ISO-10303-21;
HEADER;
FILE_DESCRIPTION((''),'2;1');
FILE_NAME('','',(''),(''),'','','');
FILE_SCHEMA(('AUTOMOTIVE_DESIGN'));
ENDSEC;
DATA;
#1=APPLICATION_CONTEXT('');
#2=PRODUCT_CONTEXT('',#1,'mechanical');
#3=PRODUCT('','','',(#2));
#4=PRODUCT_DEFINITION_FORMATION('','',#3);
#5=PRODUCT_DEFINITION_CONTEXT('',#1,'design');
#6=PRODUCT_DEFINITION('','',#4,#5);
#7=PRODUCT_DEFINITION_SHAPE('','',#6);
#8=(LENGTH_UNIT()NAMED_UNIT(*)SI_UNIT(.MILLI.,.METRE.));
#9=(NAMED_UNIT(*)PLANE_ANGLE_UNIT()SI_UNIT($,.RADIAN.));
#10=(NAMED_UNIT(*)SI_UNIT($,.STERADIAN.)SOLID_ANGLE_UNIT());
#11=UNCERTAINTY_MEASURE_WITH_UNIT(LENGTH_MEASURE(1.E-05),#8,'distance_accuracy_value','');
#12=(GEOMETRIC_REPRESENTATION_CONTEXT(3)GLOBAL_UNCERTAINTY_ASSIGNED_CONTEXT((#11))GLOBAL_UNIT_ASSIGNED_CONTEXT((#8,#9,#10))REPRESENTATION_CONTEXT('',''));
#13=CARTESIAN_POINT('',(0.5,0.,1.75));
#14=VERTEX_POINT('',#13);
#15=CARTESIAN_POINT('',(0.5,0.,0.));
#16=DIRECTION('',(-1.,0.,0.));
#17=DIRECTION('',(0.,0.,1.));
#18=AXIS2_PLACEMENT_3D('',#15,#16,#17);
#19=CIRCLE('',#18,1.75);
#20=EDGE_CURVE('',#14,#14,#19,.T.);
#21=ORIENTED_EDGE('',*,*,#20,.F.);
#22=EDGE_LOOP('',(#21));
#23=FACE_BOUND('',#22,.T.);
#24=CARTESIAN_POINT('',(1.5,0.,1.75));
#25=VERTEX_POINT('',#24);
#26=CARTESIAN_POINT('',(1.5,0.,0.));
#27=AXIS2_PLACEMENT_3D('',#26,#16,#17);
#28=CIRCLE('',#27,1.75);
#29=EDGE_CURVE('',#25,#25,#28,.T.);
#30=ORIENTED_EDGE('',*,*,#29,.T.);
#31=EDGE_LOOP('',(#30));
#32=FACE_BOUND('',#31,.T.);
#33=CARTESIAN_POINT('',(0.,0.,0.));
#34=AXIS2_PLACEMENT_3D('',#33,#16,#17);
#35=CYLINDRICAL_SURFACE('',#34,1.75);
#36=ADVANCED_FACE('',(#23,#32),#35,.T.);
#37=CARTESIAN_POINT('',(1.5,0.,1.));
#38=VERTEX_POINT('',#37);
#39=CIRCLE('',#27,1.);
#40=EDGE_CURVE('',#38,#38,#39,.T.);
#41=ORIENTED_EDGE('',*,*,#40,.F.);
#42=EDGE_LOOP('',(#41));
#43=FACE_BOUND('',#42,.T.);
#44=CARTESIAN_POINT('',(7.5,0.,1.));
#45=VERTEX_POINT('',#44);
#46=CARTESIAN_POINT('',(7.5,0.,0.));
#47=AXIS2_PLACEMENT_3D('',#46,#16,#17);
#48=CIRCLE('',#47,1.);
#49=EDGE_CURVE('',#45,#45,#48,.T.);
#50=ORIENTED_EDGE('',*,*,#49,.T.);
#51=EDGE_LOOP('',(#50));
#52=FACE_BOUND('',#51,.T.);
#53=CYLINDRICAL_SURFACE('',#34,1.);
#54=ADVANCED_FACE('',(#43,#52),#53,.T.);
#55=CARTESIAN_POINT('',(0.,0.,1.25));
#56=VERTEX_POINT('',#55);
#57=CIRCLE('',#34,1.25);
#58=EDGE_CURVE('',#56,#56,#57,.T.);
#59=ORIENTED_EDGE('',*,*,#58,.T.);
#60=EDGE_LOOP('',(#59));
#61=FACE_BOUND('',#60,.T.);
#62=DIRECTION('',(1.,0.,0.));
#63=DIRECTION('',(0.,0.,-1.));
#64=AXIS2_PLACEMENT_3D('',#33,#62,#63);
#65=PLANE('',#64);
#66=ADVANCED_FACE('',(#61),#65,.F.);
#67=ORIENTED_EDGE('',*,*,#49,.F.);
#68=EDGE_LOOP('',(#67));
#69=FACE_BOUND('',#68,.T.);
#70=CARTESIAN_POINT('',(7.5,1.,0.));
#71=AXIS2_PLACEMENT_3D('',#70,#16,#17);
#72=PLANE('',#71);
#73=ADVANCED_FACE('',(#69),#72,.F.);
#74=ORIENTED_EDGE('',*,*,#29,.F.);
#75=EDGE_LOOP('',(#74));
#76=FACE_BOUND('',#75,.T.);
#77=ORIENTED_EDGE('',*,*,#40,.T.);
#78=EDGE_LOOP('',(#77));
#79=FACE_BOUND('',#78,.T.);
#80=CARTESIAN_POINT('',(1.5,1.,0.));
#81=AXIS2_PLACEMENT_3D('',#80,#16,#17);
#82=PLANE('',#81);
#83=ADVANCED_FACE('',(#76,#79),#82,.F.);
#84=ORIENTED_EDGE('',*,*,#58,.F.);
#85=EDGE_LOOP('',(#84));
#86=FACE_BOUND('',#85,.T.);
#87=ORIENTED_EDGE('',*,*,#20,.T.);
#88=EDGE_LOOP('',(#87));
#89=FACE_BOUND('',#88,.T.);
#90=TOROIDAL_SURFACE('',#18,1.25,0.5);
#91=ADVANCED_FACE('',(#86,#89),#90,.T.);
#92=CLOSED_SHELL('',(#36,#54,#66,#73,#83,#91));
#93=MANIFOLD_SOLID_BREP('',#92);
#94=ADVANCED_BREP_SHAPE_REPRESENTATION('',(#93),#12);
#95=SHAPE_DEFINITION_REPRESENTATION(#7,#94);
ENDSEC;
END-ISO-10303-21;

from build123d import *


with BuildPart() as part:
    # Sketch1 → Revolve1 (revolve)
    with BuildSketch(Plane.XY, mode=Mode.PRIVATE) as revolve1_sk:
        with BuildLine():
            Line((0, 0), (0.985220193, 0))
            Line((0.985220193, 0), (7.5, 0))
            Line((7.5, 0), (7.5, 1))
            Line((7.5, 1), (1.5, 1))
            Line((1.5, 1), (1.5, 1.75))
            Line((1.5, 1.75), (0.5, 1.75))
            ThreePointArc((0.5, 1.75), (0.146446609, 1.603553391), (0, 1.25))
            Line((0, 1.25), (0, 0))
        make_face()
    revolve(revolve1_sk.sketch.rotate(Axis((0, 0, 0), (1, 0, 0)), 90), axis=Axis((0, 0, 0), (1, 0, 0)))


solid = part.part
